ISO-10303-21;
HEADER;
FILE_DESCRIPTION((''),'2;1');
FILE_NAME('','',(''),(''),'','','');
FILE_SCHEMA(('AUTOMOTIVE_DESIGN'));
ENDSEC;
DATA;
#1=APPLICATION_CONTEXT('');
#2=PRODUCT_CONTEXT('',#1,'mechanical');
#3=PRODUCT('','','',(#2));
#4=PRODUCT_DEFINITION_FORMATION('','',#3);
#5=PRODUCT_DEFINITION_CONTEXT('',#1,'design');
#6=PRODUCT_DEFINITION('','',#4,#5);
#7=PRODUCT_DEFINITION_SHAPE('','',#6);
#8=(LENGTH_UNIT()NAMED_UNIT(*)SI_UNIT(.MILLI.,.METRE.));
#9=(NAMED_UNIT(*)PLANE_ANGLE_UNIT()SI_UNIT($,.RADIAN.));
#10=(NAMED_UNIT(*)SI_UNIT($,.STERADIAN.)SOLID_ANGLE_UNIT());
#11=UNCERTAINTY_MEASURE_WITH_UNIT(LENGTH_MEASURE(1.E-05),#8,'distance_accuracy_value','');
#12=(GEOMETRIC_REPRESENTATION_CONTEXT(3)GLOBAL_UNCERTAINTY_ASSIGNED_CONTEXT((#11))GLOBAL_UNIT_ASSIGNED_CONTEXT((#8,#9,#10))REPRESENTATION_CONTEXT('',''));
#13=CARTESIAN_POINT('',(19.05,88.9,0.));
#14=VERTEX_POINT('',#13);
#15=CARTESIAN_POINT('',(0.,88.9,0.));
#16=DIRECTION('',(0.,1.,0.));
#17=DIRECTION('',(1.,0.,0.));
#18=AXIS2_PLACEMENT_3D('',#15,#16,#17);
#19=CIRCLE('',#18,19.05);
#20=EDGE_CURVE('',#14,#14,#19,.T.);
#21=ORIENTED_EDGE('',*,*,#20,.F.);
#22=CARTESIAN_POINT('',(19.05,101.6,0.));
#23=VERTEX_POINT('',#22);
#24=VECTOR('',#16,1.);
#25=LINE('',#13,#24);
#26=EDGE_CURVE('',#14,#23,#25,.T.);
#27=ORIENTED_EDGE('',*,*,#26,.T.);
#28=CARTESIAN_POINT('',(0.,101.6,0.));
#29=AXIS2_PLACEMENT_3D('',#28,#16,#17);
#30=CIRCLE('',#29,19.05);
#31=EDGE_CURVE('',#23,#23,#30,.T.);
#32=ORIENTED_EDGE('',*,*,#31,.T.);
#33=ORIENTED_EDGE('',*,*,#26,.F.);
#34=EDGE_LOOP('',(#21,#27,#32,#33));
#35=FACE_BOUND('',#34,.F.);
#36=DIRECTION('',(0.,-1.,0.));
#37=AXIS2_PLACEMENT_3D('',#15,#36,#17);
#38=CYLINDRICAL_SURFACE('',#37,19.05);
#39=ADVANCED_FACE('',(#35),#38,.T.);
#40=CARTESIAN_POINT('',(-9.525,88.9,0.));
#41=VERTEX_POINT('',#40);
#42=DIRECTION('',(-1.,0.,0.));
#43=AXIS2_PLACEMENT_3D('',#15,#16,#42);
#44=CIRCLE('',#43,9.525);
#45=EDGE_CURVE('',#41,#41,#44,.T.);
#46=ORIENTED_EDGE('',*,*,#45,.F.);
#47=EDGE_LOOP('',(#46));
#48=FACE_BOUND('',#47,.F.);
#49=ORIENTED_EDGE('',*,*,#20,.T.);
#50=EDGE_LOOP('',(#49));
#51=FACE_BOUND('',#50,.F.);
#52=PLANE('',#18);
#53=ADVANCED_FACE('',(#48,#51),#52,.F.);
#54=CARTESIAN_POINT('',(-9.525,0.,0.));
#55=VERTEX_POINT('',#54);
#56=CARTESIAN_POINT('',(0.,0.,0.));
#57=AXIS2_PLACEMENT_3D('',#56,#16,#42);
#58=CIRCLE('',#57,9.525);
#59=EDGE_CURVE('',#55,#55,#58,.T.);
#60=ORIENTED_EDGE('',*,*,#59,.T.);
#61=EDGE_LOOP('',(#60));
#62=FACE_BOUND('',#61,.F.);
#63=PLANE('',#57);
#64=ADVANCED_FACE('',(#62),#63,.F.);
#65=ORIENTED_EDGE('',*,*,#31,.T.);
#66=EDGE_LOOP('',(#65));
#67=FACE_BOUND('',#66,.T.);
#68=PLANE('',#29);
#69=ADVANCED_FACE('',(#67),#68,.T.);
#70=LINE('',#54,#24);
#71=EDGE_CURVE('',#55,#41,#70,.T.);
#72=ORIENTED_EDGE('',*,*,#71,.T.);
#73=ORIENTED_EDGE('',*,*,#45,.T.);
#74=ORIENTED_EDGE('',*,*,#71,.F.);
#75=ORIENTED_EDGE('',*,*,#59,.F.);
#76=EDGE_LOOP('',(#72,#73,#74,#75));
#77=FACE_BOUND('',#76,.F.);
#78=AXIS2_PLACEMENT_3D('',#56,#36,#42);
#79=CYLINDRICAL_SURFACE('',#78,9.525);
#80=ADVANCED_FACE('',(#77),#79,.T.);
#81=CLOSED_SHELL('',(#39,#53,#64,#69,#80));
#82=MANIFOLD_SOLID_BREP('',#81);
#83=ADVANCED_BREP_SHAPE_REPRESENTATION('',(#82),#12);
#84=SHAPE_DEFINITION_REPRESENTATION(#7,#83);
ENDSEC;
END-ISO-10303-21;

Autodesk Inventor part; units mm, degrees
ref_plane "YZ Plane" through (0, 0, 0) normal (1, 0, 0) x (0, 1, 0)
ref_plane "XZ Plane" through (0, 0, 0) normal (0, 1, 0) x (-1, 0, 0)
ref_plane "XY Plane" through (0, 0, 0) normal (0, 0, 1) x (1, 0, 0)
sketch "Sketch1" plane through (0, 0, 0) normal (0, 1, 0) x (-1, 0, 0)
  circle A0 centre (0, 0) radius 9.525
  dimension "d0" = 19.05
extrude "Extrusion1" add sketch "Sketch1" along normal blind 88.9
sketch "Sketch2" plane through (0, 88.9, 0) normal (0, 1, 0) x (1, 0, 0)
  circle A0 centre (0, 0) radius 19.05
  dimension "d3" = 38.1
extrude "Extrusion2" add sketch "Sketch2" along normal blind 12.7
properties part number "PracticeInsert"
